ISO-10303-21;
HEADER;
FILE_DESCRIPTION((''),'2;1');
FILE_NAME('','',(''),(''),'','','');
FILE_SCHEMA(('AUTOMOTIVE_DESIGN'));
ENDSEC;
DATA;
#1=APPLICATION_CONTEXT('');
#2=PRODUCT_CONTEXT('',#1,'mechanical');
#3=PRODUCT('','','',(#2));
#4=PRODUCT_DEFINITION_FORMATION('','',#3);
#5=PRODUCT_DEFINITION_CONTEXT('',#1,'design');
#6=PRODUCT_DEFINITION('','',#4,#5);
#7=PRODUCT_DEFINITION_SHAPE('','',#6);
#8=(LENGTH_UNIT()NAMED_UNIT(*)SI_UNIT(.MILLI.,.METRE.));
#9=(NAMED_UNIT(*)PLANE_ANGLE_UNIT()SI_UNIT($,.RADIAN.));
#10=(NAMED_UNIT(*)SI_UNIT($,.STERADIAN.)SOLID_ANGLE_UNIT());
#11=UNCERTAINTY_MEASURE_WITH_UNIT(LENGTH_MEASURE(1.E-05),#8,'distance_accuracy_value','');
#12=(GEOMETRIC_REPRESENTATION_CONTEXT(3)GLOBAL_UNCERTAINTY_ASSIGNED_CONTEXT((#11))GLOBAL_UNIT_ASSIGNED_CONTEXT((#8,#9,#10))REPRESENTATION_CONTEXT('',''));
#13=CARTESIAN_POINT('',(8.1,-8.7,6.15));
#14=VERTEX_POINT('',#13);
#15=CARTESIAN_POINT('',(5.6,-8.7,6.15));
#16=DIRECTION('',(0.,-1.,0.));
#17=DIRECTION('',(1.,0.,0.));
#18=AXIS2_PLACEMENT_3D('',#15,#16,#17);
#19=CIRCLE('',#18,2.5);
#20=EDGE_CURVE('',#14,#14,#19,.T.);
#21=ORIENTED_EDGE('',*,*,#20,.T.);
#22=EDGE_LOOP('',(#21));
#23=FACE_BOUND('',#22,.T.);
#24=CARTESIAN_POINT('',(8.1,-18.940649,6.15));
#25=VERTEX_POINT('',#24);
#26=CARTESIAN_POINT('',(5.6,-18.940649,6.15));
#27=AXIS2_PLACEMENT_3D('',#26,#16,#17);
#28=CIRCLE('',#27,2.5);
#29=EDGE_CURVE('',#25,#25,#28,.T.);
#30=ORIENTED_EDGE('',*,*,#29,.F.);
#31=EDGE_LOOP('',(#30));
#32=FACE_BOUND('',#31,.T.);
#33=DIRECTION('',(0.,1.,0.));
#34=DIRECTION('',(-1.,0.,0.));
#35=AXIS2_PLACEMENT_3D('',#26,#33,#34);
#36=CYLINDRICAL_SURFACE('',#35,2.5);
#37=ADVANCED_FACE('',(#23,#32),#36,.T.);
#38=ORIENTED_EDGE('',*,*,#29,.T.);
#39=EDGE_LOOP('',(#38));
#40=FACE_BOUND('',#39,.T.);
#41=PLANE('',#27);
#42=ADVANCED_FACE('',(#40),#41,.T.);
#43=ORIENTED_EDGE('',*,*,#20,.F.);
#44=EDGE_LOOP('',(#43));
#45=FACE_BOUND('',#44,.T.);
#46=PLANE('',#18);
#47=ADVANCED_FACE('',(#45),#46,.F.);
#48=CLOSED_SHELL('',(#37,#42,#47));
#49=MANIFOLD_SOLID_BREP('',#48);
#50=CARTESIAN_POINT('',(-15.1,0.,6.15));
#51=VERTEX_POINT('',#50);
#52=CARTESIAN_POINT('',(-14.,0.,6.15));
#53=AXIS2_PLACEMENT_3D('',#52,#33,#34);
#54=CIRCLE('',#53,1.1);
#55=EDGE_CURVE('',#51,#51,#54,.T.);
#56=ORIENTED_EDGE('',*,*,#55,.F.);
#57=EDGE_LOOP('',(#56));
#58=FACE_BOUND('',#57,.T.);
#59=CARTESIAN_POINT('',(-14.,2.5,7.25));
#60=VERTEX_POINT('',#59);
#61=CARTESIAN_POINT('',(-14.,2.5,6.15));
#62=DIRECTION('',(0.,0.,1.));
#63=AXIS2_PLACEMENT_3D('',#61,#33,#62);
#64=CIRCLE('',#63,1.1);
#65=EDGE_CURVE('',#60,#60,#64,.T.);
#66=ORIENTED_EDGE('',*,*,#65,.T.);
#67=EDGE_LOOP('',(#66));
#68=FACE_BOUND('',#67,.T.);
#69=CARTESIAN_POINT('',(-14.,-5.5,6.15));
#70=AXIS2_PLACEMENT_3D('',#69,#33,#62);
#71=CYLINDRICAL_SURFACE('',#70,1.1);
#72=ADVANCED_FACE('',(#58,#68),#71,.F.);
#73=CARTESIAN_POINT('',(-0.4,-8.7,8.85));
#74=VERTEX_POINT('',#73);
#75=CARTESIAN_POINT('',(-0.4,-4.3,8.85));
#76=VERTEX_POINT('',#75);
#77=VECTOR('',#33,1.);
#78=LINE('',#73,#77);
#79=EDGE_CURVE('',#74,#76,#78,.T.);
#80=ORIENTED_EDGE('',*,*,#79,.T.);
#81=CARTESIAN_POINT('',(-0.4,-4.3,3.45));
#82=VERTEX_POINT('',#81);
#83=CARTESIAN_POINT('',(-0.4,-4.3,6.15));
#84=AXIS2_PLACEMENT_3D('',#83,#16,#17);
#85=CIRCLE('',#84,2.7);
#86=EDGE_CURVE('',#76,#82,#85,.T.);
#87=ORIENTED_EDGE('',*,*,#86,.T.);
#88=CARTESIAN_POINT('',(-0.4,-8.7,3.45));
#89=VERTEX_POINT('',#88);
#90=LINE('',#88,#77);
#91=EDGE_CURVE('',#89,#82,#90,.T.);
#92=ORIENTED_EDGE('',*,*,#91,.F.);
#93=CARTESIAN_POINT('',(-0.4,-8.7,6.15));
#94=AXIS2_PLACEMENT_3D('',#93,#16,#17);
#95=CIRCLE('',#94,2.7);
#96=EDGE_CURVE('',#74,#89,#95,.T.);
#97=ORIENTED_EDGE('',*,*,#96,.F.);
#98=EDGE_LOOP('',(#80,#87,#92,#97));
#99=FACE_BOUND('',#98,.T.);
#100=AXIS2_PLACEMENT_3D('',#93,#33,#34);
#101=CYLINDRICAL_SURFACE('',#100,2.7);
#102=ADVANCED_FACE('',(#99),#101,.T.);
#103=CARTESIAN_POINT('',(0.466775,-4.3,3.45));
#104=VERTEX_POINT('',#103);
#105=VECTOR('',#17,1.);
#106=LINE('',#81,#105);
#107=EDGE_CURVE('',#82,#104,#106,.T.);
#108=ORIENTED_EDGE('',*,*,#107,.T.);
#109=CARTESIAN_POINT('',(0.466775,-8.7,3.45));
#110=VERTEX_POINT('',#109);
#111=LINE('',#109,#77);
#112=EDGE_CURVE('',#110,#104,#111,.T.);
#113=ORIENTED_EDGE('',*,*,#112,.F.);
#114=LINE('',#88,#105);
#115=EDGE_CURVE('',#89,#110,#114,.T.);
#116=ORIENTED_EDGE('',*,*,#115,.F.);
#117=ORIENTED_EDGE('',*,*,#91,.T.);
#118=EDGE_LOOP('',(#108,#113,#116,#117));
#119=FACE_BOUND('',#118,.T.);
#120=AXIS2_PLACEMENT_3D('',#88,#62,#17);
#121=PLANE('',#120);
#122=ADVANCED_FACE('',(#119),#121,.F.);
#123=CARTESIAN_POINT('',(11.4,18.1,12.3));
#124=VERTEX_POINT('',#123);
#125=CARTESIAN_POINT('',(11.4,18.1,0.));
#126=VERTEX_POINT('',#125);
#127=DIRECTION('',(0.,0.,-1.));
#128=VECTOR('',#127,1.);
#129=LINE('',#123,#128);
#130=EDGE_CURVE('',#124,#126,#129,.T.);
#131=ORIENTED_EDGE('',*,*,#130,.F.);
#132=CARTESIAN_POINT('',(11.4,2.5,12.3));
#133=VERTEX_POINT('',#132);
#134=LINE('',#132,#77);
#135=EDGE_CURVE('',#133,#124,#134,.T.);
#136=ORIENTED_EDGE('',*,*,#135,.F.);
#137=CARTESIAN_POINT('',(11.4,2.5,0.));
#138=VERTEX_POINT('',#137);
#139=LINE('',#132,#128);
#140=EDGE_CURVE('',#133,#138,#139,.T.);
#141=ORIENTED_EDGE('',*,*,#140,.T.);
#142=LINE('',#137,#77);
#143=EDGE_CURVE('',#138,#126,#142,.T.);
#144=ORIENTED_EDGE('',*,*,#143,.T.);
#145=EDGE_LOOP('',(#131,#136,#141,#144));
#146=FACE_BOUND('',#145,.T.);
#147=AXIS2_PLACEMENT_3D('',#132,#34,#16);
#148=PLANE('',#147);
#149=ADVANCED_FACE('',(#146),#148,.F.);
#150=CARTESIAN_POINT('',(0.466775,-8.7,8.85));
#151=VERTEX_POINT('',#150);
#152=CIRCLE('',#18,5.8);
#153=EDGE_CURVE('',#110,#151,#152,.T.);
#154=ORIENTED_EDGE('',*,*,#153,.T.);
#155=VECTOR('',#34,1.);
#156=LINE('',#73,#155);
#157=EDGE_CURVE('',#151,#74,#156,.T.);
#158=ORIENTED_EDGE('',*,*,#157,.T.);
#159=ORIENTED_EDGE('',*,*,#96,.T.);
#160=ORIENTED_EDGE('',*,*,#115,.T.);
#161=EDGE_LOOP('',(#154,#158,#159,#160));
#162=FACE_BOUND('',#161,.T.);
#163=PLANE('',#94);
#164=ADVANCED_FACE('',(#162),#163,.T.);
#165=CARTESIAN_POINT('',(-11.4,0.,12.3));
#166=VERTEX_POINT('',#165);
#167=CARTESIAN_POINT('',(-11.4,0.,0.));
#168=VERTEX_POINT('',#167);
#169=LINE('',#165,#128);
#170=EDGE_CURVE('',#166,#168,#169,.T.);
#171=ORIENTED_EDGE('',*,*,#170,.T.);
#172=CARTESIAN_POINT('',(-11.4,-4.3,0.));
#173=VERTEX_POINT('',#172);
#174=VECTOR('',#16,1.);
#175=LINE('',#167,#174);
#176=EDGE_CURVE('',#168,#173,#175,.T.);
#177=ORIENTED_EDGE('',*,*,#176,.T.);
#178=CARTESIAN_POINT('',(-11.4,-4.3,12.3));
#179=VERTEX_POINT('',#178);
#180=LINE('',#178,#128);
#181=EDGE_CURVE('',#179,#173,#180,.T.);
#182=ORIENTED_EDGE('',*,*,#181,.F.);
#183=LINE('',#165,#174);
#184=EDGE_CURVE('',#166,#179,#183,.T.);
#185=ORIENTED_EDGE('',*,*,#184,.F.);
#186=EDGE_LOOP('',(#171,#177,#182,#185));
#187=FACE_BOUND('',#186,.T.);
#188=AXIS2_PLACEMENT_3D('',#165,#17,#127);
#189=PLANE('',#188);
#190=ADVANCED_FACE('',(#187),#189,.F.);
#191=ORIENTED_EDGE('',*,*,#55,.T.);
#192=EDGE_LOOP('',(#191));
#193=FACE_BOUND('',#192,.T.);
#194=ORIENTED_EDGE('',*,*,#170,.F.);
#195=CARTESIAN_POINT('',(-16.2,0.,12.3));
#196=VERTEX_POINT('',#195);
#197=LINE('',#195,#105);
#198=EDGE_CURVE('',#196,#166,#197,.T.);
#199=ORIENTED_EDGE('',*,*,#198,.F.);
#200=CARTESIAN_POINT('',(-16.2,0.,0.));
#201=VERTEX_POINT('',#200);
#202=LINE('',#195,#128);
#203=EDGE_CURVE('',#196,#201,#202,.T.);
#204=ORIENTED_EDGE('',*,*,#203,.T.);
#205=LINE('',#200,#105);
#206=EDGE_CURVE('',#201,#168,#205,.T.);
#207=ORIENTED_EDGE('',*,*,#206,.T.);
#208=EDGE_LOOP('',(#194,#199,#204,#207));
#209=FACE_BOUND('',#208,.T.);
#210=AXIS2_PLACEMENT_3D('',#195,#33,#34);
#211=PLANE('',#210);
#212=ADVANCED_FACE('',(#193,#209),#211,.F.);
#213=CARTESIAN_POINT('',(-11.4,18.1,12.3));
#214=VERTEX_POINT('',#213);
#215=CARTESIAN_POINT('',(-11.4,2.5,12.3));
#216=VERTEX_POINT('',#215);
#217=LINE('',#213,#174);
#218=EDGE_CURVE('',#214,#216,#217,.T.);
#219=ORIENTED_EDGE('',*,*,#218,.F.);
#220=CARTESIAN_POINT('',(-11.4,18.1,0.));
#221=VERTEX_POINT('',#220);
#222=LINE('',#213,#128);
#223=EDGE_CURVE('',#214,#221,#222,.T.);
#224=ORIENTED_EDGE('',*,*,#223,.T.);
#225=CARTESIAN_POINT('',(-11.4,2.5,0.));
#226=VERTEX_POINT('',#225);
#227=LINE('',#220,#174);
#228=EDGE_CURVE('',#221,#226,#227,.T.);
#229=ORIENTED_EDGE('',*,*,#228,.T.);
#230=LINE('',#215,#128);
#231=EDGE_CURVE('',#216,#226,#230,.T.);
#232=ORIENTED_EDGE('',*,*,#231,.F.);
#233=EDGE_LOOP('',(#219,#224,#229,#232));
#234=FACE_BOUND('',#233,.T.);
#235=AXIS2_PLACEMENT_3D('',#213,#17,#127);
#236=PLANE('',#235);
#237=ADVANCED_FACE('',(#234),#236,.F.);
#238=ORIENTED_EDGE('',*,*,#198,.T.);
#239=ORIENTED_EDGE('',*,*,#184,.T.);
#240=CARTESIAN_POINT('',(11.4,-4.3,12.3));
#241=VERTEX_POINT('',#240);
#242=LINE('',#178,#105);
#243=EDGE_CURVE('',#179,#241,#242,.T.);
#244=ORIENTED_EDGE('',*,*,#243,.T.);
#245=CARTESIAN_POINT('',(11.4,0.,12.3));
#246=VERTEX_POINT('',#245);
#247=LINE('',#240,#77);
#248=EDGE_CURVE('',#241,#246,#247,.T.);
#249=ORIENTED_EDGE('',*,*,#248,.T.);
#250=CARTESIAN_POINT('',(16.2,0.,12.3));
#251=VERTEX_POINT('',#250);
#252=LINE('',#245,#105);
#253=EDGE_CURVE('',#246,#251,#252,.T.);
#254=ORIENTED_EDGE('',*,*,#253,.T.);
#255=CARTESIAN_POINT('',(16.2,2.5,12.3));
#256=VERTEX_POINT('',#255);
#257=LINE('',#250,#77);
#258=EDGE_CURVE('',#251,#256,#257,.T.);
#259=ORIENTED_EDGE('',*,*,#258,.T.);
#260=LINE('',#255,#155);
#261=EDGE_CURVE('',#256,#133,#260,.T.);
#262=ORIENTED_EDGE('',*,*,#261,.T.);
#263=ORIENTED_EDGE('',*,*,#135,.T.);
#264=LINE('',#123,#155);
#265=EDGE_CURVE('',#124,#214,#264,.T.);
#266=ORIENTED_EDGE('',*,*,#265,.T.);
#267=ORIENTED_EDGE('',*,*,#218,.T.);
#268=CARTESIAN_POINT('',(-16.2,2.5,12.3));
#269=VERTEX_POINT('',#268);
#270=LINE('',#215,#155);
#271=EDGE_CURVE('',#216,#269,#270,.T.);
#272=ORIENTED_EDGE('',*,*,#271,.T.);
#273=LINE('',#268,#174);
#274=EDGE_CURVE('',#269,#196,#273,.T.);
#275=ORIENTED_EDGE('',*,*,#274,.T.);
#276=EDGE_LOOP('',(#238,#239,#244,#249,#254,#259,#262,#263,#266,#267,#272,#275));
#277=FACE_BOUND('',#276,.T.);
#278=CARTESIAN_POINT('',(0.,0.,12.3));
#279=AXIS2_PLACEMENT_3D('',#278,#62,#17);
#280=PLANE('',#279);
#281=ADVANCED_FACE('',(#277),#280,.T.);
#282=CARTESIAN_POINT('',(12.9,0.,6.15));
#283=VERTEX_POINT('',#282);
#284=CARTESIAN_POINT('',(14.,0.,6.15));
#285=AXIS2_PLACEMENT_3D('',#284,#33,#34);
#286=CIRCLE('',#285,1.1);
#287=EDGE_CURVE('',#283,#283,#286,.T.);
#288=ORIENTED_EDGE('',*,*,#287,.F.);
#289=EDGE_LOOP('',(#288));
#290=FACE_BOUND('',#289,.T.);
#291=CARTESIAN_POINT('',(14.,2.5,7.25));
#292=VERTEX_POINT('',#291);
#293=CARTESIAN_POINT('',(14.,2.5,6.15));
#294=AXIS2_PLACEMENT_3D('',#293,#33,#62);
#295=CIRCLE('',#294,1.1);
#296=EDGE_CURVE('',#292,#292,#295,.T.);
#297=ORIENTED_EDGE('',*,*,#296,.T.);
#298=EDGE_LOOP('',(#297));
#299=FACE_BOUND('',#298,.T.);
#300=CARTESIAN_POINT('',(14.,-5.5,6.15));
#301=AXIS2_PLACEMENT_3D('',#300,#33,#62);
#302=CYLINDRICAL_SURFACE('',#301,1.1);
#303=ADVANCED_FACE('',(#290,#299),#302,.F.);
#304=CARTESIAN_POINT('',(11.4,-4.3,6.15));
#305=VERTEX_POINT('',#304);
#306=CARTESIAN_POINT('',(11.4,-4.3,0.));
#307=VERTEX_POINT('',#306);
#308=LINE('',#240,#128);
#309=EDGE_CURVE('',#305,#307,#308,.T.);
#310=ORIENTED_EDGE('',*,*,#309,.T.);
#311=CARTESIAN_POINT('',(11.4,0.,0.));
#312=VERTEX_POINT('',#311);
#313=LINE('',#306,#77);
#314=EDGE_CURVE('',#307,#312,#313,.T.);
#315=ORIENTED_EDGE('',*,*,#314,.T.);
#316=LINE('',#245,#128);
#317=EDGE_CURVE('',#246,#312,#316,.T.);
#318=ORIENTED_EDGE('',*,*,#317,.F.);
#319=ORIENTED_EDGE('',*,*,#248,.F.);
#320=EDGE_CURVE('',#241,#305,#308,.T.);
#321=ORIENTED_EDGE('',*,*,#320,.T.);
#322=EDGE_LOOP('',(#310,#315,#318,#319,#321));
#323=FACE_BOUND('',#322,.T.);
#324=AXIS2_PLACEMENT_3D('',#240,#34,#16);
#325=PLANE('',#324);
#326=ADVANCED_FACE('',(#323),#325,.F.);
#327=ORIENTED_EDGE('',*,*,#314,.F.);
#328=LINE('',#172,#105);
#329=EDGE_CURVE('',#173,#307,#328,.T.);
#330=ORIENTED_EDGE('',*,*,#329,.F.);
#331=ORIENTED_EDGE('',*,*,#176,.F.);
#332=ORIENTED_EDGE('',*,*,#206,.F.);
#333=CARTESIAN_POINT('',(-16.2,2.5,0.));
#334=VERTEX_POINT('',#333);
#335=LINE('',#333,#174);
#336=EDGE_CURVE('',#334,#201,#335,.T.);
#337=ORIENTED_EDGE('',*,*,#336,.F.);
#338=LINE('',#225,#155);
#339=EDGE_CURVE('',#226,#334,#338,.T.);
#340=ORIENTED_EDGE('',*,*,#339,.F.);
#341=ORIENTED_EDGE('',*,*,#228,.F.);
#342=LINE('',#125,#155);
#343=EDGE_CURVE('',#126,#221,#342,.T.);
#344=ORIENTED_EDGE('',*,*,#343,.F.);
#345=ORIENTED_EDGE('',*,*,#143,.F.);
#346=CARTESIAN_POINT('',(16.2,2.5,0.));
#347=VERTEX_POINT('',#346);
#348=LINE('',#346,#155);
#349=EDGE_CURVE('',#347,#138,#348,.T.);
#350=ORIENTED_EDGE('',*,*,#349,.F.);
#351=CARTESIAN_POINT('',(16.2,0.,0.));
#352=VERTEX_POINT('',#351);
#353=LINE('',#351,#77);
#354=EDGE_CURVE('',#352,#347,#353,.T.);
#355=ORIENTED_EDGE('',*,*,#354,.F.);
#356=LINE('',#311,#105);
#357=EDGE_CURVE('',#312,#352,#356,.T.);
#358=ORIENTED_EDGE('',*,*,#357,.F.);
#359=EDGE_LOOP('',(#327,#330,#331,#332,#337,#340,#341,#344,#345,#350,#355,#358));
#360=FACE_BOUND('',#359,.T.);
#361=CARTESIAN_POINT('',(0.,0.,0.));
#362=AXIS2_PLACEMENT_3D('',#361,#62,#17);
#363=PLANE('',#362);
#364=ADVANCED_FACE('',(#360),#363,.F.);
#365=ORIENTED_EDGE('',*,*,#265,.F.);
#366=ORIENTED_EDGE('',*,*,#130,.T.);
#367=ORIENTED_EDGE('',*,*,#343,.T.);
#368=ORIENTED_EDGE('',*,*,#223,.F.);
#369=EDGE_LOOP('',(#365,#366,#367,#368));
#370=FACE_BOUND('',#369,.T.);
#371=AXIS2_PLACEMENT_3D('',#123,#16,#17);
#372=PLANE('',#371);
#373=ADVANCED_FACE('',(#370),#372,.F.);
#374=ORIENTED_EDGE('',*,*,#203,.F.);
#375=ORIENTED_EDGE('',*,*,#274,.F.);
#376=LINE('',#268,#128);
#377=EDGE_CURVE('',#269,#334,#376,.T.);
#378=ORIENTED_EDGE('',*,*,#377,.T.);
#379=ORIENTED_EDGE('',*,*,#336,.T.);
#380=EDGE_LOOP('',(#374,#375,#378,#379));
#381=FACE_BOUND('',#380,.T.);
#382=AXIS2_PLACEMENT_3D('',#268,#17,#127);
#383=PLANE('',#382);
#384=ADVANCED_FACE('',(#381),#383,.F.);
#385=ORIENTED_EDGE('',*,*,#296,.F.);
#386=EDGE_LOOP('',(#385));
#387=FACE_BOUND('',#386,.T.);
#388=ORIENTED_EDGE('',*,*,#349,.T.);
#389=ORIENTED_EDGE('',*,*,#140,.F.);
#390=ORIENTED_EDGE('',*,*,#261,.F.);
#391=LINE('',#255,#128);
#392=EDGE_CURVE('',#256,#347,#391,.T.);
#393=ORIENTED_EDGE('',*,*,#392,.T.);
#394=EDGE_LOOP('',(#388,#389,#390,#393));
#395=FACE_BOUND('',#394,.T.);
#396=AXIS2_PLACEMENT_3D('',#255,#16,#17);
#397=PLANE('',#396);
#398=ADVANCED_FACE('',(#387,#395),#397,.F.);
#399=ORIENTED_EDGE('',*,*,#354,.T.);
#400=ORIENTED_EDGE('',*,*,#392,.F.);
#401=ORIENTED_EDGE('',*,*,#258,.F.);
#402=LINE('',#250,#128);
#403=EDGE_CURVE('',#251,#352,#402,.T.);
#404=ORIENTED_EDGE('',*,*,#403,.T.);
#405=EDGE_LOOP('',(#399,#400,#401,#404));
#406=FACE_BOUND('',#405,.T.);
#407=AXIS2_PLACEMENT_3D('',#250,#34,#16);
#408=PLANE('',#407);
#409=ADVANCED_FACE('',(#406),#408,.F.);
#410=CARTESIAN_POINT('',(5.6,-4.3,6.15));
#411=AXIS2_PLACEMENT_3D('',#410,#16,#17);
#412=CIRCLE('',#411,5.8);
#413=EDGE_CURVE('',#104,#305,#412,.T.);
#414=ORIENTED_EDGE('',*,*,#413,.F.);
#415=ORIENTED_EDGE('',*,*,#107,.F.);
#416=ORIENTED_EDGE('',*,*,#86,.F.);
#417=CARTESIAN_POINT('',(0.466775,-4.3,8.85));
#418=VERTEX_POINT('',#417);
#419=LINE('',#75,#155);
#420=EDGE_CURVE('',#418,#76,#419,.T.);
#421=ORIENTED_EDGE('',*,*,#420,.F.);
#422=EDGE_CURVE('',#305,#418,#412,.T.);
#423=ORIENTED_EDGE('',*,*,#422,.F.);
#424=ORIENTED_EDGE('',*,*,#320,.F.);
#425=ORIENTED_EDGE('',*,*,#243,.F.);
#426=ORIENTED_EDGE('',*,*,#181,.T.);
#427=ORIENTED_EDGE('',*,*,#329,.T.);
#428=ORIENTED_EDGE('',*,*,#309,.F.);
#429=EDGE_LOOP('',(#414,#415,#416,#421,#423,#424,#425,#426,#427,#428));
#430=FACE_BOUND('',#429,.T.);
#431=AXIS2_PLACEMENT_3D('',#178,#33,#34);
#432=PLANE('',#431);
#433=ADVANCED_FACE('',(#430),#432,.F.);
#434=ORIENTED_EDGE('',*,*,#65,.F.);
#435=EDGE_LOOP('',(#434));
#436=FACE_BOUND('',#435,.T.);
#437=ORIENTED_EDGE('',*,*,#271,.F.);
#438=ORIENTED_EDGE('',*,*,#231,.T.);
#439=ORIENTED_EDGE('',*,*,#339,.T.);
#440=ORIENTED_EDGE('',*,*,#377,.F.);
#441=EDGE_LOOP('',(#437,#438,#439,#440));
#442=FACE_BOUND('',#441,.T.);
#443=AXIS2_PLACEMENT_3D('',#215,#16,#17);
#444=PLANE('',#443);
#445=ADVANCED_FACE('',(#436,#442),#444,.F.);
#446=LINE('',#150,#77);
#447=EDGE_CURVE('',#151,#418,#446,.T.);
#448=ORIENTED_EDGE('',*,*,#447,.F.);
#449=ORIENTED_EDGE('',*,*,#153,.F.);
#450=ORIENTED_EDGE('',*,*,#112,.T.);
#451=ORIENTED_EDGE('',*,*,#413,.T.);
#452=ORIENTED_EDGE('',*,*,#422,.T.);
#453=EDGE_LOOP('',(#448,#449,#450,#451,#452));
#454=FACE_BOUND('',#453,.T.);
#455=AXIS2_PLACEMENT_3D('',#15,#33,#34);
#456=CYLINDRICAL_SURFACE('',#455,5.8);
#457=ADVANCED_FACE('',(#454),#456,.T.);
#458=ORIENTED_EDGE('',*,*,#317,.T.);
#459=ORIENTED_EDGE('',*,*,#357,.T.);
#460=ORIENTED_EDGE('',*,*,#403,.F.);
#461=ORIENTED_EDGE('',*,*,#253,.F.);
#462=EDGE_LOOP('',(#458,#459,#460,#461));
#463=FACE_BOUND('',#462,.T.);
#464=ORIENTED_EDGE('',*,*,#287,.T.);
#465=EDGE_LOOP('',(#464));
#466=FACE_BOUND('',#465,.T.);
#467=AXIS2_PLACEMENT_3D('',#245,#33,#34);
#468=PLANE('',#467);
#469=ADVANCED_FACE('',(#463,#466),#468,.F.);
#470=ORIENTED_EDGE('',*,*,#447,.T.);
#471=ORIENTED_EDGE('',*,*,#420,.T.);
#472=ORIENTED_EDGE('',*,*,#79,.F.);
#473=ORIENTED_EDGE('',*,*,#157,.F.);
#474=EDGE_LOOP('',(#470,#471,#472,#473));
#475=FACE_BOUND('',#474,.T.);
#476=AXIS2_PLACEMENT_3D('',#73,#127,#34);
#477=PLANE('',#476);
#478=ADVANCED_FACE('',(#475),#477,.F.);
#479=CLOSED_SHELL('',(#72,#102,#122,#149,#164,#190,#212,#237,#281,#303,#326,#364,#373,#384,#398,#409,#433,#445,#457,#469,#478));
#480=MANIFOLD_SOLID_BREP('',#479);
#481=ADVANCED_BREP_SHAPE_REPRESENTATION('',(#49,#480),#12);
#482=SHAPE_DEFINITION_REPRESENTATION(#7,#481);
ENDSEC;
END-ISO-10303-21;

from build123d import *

# Parameters (mm, degrees)
BOSS_EXTRUDE1_DEPTH = 12.3
BOSS_EXTRUDE2_DEPTH = 4.4
SKETCH3_R           = 1.1
CUT_EXTRUDE1_DEPTH  = 8
SKETCH_1_R          = 2.5
EXTRUDE_1_DEPTH     = 10.240649244


with BuildPart() as part:
    # Sketch1 → Boss-Extrude1 (new body)
    with BuildSketch(Plane.XY):
        Polygon((-16.2, 0), (-11.4, 0), (-11.4, -4.3), (11.4, -4.3), (11.4, 0), (16.2, 0), (16.2, 2.5), (11.4, 2.5), (11.4, 18.1), (-11.4, 18.1), (-11.4, 2.5), (-16.2, 2.5), align=None)
    extrude(amount=BOSS_EXTRUDE1_DEPTH)

    # Sketch2 → Boss-Extrude2 (add)
    with BuildSketch(Plane.XZ.offset(4.3)):
        with BuildLine():
            Line((-0.4, 8.85), (0.466774893, 8.85))
            ThreePointArc((0.466774893, 8.85), (11.4, 6.15), (0.466774893, 3.45))
            Line((0.466774893, 3.45), (-0.4, 3.45))
            ThreePointArc((-0.4, 3.45), (-3.1, 6.15), (-0.4, 8.85))
        make_face()
    extrude(amount=BOSS_EXTRUDE2_DEPTH)

    # Sketch3 → Cut-Extrude1 (cut)
    with BuildSketch(Plane(origin=(0, 2.5, 0), x_dir=(1, 0, 0), z_dir=(0, 1, 0))):
        with Locations((-14, -6.15)):
            Circle(SKETCH3_R)
        with Locations((14, -6.15)):
            Circle(SKETCH3_R)
    extrude(amount=-CUT_EXTRUDE1_DEPTH, mode=Mode.SUBTRACT)


with BuildPart() as body_2:
    # 草圖1 → 填料-伸長1 (new body)
    with BuildSketch(Plane(origin=(0, -8.7, 0), x_dir=(-1, 0, 0), z_dir=(0, -1, 0))):
        with Locations((-5.6, -6.15)):
            Circle(SKETCH_1_R)
    extrude(amount=EXTRUDE_1_DEPTH)


solid = Compound([part.part, body_2.part])
